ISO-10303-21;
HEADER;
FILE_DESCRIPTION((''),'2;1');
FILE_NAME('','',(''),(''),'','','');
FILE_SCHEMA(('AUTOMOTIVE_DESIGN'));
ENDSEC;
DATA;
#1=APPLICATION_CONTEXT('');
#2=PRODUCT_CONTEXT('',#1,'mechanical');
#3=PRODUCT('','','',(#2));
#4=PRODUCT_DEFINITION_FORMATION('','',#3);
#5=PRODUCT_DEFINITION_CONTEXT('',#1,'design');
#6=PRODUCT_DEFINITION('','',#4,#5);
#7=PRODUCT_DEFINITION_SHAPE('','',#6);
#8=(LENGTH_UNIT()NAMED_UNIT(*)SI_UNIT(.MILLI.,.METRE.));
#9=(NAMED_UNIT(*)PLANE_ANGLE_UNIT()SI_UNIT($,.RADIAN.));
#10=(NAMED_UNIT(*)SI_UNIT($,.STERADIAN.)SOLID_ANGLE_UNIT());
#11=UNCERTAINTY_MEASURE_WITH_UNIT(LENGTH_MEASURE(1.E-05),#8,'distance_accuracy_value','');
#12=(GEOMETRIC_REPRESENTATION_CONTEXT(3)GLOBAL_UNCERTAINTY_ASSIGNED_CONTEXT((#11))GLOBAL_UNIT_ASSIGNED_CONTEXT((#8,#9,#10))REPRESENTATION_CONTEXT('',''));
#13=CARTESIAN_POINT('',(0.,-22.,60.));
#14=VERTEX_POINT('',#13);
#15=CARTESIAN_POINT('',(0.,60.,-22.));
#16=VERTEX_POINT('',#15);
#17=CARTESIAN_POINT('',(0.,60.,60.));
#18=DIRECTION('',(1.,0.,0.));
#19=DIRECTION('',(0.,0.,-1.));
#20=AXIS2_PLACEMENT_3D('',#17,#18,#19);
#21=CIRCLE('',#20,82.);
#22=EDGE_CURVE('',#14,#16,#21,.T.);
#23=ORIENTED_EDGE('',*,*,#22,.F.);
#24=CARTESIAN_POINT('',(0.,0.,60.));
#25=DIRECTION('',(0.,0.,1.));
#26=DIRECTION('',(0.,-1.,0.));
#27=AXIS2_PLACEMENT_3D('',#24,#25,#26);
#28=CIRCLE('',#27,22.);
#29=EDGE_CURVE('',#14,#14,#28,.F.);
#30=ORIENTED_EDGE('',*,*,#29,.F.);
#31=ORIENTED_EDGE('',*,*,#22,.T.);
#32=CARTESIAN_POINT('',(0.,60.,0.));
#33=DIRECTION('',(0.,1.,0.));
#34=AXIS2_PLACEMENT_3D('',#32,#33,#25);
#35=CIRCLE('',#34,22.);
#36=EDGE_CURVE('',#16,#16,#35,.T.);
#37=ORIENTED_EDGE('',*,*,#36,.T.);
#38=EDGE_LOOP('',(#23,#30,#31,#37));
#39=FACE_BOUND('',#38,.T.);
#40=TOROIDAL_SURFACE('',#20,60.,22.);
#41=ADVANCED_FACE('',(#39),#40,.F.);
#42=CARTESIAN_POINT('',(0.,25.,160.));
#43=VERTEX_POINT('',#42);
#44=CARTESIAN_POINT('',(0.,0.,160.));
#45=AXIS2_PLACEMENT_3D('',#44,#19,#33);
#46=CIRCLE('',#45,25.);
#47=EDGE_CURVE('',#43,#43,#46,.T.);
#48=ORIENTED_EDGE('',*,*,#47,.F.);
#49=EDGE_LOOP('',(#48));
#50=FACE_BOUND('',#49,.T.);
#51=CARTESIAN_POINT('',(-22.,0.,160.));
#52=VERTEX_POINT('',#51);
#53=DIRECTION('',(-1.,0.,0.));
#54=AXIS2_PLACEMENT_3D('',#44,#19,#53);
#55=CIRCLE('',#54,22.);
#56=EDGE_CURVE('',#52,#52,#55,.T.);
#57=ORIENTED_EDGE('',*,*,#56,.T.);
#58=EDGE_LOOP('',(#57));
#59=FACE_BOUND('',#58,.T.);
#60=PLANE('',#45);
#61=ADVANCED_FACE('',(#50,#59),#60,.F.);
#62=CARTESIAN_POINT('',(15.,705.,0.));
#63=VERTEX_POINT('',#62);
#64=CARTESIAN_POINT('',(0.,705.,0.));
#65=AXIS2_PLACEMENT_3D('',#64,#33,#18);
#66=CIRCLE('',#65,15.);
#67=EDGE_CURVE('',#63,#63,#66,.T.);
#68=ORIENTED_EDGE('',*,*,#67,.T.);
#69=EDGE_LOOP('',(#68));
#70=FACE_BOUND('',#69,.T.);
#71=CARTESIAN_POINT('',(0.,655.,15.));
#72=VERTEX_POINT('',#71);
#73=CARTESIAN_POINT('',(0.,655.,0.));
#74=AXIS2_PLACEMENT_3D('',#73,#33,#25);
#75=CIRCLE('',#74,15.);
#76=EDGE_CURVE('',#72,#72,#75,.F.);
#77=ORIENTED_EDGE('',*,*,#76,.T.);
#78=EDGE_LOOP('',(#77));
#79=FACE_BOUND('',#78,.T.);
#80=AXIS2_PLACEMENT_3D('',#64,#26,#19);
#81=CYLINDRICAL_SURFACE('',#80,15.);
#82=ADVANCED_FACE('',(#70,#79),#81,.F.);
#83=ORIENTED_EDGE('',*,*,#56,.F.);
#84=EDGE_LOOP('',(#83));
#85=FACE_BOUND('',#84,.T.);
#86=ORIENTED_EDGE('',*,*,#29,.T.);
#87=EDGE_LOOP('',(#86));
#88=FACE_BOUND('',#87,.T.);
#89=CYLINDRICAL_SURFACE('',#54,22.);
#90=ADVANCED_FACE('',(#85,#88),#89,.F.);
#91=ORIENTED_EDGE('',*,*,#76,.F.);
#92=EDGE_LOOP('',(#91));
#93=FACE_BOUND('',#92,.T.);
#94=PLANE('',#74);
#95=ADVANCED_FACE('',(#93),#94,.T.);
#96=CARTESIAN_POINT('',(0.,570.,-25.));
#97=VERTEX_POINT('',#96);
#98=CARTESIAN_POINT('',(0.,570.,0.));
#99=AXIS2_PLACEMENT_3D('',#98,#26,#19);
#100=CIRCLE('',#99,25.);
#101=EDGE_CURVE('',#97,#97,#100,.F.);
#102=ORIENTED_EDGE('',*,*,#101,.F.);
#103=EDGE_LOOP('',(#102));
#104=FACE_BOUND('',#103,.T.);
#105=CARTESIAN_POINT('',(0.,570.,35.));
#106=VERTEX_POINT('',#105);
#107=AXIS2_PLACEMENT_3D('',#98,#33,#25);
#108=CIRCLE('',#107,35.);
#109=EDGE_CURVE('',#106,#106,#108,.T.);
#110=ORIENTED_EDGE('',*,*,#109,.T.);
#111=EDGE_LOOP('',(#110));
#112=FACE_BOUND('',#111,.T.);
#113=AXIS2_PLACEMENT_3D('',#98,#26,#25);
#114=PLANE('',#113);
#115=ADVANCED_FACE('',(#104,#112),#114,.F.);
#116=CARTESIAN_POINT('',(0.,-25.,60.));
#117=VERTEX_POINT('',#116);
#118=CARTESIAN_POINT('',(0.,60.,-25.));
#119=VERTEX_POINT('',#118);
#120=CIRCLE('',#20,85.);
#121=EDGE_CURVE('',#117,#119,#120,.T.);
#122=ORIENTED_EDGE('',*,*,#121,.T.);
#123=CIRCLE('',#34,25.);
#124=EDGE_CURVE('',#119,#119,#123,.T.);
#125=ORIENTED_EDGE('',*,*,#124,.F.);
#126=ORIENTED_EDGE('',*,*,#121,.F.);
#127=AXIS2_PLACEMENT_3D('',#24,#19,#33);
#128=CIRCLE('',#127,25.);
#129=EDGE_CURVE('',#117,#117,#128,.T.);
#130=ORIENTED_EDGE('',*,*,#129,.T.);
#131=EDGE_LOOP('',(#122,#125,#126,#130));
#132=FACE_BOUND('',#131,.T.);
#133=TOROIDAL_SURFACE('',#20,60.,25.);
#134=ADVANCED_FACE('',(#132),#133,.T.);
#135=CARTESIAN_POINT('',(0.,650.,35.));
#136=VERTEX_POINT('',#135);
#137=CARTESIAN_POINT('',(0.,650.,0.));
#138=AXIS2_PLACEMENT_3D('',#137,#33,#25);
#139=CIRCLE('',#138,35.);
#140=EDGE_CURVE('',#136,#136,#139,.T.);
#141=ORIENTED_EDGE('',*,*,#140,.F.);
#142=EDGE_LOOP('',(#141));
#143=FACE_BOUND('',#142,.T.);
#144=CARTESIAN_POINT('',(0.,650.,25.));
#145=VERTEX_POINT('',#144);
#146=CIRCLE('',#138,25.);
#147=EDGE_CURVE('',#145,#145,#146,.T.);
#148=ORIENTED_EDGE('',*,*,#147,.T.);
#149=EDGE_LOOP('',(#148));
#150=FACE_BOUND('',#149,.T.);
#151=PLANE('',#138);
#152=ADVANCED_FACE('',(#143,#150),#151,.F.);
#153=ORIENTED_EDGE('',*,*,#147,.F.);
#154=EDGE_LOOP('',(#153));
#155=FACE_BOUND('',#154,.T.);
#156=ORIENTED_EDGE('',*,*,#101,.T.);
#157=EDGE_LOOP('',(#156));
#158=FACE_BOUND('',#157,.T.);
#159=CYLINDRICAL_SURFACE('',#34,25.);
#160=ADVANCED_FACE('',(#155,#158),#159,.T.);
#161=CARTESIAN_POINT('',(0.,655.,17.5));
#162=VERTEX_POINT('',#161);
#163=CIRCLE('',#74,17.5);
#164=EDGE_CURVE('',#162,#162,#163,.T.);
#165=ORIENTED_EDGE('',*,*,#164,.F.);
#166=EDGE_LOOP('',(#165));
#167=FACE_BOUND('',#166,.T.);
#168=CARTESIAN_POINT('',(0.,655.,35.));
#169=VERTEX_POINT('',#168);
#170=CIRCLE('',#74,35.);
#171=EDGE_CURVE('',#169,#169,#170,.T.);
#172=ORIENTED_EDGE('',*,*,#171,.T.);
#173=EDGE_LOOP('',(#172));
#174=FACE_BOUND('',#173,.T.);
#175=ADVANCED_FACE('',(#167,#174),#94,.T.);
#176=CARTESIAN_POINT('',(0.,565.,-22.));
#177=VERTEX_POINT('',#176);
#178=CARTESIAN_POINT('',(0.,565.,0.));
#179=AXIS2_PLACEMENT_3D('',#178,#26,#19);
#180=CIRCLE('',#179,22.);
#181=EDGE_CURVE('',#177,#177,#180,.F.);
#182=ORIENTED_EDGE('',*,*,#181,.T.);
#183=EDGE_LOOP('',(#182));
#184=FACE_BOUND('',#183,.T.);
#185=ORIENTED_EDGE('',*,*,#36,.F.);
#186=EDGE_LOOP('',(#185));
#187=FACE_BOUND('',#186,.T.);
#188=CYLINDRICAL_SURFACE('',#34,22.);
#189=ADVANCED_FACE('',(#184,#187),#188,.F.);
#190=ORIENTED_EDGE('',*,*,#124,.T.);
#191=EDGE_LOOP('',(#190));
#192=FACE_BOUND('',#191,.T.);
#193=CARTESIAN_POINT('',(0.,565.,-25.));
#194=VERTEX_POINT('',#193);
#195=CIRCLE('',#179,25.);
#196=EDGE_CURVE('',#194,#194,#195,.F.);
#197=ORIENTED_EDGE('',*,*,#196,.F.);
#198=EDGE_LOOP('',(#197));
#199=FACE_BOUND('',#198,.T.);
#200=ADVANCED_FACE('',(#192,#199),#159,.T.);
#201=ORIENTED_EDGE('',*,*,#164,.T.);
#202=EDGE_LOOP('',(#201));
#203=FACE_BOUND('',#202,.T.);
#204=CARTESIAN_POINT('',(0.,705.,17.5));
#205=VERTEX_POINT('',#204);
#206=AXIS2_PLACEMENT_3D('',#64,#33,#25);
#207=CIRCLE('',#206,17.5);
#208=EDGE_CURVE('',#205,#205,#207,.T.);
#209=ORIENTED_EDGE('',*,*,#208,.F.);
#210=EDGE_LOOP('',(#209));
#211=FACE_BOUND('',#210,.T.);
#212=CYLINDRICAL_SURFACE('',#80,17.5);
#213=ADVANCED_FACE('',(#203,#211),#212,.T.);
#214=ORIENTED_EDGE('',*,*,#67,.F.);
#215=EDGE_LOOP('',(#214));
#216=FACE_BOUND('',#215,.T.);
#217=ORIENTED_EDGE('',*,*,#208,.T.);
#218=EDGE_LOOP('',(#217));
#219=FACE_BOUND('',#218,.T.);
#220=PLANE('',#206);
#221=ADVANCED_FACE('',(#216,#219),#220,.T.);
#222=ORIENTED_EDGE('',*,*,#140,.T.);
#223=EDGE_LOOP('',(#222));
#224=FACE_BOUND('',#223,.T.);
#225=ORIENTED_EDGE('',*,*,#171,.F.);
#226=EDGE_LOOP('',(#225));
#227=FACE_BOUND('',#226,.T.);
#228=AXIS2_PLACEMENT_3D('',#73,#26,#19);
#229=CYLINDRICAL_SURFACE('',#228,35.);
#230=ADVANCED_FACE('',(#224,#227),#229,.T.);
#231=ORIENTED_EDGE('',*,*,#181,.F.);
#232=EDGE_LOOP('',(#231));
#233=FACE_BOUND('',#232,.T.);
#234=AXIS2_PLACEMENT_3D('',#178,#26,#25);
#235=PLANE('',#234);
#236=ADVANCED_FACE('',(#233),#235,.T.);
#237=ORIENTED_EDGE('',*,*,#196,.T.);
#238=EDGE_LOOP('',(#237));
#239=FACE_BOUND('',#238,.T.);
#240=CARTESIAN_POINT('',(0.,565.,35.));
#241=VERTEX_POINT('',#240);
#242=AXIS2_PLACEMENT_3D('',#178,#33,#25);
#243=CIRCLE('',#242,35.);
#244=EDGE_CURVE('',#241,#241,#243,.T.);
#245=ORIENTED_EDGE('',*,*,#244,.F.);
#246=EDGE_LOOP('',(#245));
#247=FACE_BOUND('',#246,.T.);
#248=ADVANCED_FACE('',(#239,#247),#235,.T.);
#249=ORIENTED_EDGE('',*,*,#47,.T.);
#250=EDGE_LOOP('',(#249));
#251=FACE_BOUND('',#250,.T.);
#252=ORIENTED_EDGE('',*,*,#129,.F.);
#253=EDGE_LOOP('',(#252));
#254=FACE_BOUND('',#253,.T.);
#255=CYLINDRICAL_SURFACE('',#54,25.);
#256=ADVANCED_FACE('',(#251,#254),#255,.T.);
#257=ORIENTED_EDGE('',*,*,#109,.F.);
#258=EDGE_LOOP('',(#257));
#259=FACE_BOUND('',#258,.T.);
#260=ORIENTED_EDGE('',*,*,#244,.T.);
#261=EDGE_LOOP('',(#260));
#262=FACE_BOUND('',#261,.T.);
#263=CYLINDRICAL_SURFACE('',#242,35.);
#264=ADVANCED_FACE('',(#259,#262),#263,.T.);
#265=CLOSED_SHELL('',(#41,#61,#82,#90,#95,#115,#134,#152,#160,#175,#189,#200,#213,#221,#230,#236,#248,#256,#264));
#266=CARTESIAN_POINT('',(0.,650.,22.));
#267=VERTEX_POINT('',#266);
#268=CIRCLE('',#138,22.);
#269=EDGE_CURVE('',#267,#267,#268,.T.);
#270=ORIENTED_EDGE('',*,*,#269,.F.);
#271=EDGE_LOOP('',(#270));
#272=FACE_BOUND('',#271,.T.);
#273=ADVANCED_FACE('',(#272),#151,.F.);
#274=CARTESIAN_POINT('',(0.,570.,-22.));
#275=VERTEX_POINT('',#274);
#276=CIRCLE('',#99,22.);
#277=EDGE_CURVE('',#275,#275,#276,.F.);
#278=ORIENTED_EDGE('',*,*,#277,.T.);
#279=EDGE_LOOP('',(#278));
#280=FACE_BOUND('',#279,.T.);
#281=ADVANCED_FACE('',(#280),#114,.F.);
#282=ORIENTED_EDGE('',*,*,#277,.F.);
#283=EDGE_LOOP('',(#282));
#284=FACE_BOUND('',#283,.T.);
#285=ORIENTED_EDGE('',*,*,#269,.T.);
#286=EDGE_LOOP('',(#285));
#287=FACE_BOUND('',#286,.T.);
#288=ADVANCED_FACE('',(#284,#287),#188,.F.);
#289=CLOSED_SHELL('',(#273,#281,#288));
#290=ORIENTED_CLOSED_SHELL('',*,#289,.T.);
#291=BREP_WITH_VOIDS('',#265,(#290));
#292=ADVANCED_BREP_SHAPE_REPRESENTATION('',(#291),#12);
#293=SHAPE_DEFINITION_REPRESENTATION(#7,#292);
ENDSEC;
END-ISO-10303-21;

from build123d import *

# Parameters (mm, degrees)
SKETCH9_R           = 25
SKETCH9_R_2         = 22
SKETCH10_R          = 35
BOSS_EXTRUDE1_DEPTH = 5
SKETCH11_R          = 17.5
SKETCH11_R_2        = 15
EXTRUDE_THIN1_DEPTH = 50


with BuildPart() as part:
    # Sweep-Thin1: sweep along a path in Sketch2
    with BuildLine(Plane(origin=(0, 0, 0), x_dir=(0, 0, -1), z_dir=(1, 0, 0))) as sweep_thin1_path:
        Line((-160, 0), (-60, 0))
        ThreePointArc((-60, 0), (-17.573593129, 17.573593129), (0, 60))
        Line((0, 60), (0, 650))
    # Sketch9 → Sweep-Thin1 (sweep)
    with BuildSketch(Plane(origin=(0, 650, 0), x_dir=(1, 0, 0), z_dir=(0, 1, 0))):
        Circle(SKETCH9_R)
        Circle(SKETCH9_R_2, mode=Mode.SUBTRACT)
    sweep(path=sweep_thin1_path.line)

    # Sketch10 → Boss-Extrude1 (add)
    with BuildSketch(Plane(origin=(0, 650, 0), x_dir=(1, 0, 0), z_dir=(0, 1, 0))):
        Circle(SKETCH10_R)
    boss_extrude1 = extrude(amount=BOSS_EXTRUDE1_DEPTH)

    # Sketch11 → Extrude-Thin1 (add)
    with BuildSketch(Plane(origin=(0, 655, 0), x_dir=(1, 0, 0), z_dir=(0, 1, 0))):
        Circle(SKETCH11_R)
        Circle(SKETCH11_R_2, mode=Mode.SUBTRACT)
    extrude(amount=EXTRUDE_THIN1_DEPTH)

    # Mirror1: Boss-Extrude1 across plane
    add(boss_extrude1.mirror(Plane.ZX.offset(610)))


solid = part.part
